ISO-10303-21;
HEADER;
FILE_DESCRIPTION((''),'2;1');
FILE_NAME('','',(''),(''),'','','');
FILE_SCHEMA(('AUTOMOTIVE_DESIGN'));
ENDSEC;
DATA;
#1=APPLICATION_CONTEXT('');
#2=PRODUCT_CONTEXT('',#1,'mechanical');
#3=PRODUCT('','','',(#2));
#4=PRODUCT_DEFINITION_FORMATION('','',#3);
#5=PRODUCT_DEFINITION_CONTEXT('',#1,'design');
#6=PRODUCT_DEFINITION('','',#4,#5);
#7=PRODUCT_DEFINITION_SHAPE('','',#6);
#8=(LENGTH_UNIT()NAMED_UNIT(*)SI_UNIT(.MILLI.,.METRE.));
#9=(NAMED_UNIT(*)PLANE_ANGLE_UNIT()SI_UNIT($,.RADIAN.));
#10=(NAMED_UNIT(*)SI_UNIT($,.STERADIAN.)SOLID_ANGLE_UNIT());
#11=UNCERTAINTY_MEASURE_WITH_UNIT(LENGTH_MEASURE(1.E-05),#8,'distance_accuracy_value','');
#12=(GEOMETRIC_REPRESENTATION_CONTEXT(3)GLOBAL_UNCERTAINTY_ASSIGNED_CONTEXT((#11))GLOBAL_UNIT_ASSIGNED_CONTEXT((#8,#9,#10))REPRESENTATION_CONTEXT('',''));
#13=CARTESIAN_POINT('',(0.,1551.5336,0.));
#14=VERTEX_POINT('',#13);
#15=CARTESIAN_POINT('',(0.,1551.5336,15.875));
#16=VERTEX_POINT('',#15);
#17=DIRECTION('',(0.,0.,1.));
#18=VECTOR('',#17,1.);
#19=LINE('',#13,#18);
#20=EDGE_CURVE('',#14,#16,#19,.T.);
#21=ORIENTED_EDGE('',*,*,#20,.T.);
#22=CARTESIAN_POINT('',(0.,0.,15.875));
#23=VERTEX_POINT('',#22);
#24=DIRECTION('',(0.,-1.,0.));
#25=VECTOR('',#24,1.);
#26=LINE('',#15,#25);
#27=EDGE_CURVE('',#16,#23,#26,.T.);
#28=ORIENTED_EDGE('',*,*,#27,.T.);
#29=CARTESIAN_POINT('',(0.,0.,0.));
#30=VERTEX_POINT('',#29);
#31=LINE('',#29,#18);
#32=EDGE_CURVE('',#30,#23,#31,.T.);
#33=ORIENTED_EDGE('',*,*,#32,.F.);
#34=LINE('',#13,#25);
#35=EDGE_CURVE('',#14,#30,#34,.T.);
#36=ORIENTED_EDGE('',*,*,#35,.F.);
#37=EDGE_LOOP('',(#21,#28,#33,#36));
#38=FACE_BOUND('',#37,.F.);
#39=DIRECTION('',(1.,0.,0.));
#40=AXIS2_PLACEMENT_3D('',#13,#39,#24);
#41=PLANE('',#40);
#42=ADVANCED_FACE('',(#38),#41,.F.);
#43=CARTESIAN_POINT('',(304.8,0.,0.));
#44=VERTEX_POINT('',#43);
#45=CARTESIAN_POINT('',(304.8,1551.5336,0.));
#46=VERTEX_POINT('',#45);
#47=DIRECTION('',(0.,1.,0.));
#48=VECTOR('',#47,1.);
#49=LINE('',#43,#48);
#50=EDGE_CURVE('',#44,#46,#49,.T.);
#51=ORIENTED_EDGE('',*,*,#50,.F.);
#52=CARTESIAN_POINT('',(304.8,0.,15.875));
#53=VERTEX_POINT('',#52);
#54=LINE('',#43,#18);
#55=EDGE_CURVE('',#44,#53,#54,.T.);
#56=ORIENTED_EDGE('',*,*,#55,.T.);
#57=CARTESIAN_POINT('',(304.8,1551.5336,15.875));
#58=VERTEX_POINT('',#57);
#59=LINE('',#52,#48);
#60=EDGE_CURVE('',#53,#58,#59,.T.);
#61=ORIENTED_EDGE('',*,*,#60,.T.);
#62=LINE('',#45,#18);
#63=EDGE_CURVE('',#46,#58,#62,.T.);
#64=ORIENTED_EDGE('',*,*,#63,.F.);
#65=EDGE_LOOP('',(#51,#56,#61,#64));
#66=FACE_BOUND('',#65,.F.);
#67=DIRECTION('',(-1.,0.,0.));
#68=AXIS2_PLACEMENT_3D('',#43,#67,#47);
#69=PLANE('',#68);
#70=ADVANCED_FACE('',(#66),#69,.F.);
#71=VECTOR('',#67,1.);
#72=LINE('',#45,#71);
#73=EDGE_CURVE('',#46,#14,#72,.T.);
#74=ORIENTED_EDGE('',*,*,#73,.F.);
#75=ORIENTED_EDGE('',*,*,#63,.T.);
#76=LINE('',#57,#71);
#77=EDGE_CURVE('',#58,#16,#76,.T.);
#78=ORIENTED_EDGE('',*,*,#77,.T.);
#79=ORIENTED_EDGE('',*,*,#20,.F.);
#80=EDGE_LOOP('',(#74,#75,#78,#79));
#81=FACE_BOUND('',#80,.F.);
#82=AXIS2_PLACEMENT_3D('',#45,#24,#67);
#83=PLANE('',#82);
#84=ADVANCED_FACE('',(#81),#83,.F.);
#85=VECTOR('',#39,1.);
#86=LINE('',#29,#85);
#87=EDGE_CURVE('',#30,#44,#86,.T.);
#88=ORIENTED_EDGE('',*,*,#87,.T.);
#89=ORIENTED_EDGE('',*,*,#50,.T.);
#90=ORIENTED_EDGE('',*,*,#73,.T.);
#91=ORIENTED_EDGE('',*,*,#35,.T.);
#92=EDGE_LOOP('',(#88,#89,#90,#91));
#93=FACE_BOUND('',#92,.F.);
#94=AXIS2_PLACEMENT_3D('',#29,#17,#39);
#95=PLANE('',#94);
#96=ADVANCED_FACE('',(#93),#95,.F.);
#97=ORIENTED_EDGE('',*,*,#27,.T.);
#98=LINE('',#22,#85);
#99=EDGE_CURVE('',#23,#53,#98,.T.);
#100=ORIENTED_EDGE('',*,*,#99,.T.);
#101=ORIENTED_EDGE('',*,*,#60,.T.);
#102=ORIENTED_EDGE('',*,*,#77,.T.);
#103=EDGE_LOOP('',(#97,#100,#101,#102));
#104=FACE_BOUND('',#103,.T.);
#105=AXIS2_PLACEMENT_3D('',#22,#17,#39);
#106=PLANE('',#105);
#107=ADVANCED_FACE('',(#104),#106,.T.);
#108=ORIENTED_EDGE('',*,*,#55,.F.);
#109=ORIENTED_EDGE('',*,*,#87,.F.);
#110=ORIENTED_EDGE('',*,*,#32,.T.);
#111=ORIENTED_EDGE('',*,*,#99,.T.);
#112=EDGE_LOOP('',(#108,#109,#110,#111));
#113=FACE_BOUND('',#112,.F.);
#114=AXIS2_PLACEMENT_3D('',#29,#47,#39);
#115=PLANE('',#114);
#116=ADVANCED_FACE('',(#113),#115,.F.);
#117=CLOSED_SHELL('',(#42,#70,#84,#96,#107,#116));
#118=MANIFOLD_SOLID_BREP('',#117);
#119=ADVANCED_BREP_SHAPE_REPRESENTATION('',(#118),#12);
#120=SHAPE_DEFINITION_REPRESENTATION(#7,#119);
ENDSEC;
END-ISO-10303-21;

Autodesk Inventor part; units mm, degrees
ref_plane "YZ Plane" through (0, 0, 0) normal (1, 0, 0) x (0, 1, 0)
ref_plane "XZ Plane" through (0, 0, 0) normal (0, 1, 0) x (-1, 0, 0)
ref_plane "XY Plane" through (0, 0, 0) normal (0, 0, 1) x (1, 0, 0)
sketch "Sketch1" plane through (0, 0, 0) normal (0, 0, 1) x (1, 0, 0)
  line L0 (0, 0) -> (304.8, 0)
  line L1 (304.8, 0) -> (304.8, 1551.5336)
  line L2 (304.8, 1551.5336) -> (0, 1551.5336)
  line L3 (0, 1551.5336) -> (0, 0)
  dimension "d2" = 1551.5336
  dimension "d3" = 304.8
extrude "Extrusion1" add sketch "Sketch1" along normal blind 15.875
properties part number "DensGlass_With_Dimensions_60.75_x_12_Inches" material "Wood (Birch)"
